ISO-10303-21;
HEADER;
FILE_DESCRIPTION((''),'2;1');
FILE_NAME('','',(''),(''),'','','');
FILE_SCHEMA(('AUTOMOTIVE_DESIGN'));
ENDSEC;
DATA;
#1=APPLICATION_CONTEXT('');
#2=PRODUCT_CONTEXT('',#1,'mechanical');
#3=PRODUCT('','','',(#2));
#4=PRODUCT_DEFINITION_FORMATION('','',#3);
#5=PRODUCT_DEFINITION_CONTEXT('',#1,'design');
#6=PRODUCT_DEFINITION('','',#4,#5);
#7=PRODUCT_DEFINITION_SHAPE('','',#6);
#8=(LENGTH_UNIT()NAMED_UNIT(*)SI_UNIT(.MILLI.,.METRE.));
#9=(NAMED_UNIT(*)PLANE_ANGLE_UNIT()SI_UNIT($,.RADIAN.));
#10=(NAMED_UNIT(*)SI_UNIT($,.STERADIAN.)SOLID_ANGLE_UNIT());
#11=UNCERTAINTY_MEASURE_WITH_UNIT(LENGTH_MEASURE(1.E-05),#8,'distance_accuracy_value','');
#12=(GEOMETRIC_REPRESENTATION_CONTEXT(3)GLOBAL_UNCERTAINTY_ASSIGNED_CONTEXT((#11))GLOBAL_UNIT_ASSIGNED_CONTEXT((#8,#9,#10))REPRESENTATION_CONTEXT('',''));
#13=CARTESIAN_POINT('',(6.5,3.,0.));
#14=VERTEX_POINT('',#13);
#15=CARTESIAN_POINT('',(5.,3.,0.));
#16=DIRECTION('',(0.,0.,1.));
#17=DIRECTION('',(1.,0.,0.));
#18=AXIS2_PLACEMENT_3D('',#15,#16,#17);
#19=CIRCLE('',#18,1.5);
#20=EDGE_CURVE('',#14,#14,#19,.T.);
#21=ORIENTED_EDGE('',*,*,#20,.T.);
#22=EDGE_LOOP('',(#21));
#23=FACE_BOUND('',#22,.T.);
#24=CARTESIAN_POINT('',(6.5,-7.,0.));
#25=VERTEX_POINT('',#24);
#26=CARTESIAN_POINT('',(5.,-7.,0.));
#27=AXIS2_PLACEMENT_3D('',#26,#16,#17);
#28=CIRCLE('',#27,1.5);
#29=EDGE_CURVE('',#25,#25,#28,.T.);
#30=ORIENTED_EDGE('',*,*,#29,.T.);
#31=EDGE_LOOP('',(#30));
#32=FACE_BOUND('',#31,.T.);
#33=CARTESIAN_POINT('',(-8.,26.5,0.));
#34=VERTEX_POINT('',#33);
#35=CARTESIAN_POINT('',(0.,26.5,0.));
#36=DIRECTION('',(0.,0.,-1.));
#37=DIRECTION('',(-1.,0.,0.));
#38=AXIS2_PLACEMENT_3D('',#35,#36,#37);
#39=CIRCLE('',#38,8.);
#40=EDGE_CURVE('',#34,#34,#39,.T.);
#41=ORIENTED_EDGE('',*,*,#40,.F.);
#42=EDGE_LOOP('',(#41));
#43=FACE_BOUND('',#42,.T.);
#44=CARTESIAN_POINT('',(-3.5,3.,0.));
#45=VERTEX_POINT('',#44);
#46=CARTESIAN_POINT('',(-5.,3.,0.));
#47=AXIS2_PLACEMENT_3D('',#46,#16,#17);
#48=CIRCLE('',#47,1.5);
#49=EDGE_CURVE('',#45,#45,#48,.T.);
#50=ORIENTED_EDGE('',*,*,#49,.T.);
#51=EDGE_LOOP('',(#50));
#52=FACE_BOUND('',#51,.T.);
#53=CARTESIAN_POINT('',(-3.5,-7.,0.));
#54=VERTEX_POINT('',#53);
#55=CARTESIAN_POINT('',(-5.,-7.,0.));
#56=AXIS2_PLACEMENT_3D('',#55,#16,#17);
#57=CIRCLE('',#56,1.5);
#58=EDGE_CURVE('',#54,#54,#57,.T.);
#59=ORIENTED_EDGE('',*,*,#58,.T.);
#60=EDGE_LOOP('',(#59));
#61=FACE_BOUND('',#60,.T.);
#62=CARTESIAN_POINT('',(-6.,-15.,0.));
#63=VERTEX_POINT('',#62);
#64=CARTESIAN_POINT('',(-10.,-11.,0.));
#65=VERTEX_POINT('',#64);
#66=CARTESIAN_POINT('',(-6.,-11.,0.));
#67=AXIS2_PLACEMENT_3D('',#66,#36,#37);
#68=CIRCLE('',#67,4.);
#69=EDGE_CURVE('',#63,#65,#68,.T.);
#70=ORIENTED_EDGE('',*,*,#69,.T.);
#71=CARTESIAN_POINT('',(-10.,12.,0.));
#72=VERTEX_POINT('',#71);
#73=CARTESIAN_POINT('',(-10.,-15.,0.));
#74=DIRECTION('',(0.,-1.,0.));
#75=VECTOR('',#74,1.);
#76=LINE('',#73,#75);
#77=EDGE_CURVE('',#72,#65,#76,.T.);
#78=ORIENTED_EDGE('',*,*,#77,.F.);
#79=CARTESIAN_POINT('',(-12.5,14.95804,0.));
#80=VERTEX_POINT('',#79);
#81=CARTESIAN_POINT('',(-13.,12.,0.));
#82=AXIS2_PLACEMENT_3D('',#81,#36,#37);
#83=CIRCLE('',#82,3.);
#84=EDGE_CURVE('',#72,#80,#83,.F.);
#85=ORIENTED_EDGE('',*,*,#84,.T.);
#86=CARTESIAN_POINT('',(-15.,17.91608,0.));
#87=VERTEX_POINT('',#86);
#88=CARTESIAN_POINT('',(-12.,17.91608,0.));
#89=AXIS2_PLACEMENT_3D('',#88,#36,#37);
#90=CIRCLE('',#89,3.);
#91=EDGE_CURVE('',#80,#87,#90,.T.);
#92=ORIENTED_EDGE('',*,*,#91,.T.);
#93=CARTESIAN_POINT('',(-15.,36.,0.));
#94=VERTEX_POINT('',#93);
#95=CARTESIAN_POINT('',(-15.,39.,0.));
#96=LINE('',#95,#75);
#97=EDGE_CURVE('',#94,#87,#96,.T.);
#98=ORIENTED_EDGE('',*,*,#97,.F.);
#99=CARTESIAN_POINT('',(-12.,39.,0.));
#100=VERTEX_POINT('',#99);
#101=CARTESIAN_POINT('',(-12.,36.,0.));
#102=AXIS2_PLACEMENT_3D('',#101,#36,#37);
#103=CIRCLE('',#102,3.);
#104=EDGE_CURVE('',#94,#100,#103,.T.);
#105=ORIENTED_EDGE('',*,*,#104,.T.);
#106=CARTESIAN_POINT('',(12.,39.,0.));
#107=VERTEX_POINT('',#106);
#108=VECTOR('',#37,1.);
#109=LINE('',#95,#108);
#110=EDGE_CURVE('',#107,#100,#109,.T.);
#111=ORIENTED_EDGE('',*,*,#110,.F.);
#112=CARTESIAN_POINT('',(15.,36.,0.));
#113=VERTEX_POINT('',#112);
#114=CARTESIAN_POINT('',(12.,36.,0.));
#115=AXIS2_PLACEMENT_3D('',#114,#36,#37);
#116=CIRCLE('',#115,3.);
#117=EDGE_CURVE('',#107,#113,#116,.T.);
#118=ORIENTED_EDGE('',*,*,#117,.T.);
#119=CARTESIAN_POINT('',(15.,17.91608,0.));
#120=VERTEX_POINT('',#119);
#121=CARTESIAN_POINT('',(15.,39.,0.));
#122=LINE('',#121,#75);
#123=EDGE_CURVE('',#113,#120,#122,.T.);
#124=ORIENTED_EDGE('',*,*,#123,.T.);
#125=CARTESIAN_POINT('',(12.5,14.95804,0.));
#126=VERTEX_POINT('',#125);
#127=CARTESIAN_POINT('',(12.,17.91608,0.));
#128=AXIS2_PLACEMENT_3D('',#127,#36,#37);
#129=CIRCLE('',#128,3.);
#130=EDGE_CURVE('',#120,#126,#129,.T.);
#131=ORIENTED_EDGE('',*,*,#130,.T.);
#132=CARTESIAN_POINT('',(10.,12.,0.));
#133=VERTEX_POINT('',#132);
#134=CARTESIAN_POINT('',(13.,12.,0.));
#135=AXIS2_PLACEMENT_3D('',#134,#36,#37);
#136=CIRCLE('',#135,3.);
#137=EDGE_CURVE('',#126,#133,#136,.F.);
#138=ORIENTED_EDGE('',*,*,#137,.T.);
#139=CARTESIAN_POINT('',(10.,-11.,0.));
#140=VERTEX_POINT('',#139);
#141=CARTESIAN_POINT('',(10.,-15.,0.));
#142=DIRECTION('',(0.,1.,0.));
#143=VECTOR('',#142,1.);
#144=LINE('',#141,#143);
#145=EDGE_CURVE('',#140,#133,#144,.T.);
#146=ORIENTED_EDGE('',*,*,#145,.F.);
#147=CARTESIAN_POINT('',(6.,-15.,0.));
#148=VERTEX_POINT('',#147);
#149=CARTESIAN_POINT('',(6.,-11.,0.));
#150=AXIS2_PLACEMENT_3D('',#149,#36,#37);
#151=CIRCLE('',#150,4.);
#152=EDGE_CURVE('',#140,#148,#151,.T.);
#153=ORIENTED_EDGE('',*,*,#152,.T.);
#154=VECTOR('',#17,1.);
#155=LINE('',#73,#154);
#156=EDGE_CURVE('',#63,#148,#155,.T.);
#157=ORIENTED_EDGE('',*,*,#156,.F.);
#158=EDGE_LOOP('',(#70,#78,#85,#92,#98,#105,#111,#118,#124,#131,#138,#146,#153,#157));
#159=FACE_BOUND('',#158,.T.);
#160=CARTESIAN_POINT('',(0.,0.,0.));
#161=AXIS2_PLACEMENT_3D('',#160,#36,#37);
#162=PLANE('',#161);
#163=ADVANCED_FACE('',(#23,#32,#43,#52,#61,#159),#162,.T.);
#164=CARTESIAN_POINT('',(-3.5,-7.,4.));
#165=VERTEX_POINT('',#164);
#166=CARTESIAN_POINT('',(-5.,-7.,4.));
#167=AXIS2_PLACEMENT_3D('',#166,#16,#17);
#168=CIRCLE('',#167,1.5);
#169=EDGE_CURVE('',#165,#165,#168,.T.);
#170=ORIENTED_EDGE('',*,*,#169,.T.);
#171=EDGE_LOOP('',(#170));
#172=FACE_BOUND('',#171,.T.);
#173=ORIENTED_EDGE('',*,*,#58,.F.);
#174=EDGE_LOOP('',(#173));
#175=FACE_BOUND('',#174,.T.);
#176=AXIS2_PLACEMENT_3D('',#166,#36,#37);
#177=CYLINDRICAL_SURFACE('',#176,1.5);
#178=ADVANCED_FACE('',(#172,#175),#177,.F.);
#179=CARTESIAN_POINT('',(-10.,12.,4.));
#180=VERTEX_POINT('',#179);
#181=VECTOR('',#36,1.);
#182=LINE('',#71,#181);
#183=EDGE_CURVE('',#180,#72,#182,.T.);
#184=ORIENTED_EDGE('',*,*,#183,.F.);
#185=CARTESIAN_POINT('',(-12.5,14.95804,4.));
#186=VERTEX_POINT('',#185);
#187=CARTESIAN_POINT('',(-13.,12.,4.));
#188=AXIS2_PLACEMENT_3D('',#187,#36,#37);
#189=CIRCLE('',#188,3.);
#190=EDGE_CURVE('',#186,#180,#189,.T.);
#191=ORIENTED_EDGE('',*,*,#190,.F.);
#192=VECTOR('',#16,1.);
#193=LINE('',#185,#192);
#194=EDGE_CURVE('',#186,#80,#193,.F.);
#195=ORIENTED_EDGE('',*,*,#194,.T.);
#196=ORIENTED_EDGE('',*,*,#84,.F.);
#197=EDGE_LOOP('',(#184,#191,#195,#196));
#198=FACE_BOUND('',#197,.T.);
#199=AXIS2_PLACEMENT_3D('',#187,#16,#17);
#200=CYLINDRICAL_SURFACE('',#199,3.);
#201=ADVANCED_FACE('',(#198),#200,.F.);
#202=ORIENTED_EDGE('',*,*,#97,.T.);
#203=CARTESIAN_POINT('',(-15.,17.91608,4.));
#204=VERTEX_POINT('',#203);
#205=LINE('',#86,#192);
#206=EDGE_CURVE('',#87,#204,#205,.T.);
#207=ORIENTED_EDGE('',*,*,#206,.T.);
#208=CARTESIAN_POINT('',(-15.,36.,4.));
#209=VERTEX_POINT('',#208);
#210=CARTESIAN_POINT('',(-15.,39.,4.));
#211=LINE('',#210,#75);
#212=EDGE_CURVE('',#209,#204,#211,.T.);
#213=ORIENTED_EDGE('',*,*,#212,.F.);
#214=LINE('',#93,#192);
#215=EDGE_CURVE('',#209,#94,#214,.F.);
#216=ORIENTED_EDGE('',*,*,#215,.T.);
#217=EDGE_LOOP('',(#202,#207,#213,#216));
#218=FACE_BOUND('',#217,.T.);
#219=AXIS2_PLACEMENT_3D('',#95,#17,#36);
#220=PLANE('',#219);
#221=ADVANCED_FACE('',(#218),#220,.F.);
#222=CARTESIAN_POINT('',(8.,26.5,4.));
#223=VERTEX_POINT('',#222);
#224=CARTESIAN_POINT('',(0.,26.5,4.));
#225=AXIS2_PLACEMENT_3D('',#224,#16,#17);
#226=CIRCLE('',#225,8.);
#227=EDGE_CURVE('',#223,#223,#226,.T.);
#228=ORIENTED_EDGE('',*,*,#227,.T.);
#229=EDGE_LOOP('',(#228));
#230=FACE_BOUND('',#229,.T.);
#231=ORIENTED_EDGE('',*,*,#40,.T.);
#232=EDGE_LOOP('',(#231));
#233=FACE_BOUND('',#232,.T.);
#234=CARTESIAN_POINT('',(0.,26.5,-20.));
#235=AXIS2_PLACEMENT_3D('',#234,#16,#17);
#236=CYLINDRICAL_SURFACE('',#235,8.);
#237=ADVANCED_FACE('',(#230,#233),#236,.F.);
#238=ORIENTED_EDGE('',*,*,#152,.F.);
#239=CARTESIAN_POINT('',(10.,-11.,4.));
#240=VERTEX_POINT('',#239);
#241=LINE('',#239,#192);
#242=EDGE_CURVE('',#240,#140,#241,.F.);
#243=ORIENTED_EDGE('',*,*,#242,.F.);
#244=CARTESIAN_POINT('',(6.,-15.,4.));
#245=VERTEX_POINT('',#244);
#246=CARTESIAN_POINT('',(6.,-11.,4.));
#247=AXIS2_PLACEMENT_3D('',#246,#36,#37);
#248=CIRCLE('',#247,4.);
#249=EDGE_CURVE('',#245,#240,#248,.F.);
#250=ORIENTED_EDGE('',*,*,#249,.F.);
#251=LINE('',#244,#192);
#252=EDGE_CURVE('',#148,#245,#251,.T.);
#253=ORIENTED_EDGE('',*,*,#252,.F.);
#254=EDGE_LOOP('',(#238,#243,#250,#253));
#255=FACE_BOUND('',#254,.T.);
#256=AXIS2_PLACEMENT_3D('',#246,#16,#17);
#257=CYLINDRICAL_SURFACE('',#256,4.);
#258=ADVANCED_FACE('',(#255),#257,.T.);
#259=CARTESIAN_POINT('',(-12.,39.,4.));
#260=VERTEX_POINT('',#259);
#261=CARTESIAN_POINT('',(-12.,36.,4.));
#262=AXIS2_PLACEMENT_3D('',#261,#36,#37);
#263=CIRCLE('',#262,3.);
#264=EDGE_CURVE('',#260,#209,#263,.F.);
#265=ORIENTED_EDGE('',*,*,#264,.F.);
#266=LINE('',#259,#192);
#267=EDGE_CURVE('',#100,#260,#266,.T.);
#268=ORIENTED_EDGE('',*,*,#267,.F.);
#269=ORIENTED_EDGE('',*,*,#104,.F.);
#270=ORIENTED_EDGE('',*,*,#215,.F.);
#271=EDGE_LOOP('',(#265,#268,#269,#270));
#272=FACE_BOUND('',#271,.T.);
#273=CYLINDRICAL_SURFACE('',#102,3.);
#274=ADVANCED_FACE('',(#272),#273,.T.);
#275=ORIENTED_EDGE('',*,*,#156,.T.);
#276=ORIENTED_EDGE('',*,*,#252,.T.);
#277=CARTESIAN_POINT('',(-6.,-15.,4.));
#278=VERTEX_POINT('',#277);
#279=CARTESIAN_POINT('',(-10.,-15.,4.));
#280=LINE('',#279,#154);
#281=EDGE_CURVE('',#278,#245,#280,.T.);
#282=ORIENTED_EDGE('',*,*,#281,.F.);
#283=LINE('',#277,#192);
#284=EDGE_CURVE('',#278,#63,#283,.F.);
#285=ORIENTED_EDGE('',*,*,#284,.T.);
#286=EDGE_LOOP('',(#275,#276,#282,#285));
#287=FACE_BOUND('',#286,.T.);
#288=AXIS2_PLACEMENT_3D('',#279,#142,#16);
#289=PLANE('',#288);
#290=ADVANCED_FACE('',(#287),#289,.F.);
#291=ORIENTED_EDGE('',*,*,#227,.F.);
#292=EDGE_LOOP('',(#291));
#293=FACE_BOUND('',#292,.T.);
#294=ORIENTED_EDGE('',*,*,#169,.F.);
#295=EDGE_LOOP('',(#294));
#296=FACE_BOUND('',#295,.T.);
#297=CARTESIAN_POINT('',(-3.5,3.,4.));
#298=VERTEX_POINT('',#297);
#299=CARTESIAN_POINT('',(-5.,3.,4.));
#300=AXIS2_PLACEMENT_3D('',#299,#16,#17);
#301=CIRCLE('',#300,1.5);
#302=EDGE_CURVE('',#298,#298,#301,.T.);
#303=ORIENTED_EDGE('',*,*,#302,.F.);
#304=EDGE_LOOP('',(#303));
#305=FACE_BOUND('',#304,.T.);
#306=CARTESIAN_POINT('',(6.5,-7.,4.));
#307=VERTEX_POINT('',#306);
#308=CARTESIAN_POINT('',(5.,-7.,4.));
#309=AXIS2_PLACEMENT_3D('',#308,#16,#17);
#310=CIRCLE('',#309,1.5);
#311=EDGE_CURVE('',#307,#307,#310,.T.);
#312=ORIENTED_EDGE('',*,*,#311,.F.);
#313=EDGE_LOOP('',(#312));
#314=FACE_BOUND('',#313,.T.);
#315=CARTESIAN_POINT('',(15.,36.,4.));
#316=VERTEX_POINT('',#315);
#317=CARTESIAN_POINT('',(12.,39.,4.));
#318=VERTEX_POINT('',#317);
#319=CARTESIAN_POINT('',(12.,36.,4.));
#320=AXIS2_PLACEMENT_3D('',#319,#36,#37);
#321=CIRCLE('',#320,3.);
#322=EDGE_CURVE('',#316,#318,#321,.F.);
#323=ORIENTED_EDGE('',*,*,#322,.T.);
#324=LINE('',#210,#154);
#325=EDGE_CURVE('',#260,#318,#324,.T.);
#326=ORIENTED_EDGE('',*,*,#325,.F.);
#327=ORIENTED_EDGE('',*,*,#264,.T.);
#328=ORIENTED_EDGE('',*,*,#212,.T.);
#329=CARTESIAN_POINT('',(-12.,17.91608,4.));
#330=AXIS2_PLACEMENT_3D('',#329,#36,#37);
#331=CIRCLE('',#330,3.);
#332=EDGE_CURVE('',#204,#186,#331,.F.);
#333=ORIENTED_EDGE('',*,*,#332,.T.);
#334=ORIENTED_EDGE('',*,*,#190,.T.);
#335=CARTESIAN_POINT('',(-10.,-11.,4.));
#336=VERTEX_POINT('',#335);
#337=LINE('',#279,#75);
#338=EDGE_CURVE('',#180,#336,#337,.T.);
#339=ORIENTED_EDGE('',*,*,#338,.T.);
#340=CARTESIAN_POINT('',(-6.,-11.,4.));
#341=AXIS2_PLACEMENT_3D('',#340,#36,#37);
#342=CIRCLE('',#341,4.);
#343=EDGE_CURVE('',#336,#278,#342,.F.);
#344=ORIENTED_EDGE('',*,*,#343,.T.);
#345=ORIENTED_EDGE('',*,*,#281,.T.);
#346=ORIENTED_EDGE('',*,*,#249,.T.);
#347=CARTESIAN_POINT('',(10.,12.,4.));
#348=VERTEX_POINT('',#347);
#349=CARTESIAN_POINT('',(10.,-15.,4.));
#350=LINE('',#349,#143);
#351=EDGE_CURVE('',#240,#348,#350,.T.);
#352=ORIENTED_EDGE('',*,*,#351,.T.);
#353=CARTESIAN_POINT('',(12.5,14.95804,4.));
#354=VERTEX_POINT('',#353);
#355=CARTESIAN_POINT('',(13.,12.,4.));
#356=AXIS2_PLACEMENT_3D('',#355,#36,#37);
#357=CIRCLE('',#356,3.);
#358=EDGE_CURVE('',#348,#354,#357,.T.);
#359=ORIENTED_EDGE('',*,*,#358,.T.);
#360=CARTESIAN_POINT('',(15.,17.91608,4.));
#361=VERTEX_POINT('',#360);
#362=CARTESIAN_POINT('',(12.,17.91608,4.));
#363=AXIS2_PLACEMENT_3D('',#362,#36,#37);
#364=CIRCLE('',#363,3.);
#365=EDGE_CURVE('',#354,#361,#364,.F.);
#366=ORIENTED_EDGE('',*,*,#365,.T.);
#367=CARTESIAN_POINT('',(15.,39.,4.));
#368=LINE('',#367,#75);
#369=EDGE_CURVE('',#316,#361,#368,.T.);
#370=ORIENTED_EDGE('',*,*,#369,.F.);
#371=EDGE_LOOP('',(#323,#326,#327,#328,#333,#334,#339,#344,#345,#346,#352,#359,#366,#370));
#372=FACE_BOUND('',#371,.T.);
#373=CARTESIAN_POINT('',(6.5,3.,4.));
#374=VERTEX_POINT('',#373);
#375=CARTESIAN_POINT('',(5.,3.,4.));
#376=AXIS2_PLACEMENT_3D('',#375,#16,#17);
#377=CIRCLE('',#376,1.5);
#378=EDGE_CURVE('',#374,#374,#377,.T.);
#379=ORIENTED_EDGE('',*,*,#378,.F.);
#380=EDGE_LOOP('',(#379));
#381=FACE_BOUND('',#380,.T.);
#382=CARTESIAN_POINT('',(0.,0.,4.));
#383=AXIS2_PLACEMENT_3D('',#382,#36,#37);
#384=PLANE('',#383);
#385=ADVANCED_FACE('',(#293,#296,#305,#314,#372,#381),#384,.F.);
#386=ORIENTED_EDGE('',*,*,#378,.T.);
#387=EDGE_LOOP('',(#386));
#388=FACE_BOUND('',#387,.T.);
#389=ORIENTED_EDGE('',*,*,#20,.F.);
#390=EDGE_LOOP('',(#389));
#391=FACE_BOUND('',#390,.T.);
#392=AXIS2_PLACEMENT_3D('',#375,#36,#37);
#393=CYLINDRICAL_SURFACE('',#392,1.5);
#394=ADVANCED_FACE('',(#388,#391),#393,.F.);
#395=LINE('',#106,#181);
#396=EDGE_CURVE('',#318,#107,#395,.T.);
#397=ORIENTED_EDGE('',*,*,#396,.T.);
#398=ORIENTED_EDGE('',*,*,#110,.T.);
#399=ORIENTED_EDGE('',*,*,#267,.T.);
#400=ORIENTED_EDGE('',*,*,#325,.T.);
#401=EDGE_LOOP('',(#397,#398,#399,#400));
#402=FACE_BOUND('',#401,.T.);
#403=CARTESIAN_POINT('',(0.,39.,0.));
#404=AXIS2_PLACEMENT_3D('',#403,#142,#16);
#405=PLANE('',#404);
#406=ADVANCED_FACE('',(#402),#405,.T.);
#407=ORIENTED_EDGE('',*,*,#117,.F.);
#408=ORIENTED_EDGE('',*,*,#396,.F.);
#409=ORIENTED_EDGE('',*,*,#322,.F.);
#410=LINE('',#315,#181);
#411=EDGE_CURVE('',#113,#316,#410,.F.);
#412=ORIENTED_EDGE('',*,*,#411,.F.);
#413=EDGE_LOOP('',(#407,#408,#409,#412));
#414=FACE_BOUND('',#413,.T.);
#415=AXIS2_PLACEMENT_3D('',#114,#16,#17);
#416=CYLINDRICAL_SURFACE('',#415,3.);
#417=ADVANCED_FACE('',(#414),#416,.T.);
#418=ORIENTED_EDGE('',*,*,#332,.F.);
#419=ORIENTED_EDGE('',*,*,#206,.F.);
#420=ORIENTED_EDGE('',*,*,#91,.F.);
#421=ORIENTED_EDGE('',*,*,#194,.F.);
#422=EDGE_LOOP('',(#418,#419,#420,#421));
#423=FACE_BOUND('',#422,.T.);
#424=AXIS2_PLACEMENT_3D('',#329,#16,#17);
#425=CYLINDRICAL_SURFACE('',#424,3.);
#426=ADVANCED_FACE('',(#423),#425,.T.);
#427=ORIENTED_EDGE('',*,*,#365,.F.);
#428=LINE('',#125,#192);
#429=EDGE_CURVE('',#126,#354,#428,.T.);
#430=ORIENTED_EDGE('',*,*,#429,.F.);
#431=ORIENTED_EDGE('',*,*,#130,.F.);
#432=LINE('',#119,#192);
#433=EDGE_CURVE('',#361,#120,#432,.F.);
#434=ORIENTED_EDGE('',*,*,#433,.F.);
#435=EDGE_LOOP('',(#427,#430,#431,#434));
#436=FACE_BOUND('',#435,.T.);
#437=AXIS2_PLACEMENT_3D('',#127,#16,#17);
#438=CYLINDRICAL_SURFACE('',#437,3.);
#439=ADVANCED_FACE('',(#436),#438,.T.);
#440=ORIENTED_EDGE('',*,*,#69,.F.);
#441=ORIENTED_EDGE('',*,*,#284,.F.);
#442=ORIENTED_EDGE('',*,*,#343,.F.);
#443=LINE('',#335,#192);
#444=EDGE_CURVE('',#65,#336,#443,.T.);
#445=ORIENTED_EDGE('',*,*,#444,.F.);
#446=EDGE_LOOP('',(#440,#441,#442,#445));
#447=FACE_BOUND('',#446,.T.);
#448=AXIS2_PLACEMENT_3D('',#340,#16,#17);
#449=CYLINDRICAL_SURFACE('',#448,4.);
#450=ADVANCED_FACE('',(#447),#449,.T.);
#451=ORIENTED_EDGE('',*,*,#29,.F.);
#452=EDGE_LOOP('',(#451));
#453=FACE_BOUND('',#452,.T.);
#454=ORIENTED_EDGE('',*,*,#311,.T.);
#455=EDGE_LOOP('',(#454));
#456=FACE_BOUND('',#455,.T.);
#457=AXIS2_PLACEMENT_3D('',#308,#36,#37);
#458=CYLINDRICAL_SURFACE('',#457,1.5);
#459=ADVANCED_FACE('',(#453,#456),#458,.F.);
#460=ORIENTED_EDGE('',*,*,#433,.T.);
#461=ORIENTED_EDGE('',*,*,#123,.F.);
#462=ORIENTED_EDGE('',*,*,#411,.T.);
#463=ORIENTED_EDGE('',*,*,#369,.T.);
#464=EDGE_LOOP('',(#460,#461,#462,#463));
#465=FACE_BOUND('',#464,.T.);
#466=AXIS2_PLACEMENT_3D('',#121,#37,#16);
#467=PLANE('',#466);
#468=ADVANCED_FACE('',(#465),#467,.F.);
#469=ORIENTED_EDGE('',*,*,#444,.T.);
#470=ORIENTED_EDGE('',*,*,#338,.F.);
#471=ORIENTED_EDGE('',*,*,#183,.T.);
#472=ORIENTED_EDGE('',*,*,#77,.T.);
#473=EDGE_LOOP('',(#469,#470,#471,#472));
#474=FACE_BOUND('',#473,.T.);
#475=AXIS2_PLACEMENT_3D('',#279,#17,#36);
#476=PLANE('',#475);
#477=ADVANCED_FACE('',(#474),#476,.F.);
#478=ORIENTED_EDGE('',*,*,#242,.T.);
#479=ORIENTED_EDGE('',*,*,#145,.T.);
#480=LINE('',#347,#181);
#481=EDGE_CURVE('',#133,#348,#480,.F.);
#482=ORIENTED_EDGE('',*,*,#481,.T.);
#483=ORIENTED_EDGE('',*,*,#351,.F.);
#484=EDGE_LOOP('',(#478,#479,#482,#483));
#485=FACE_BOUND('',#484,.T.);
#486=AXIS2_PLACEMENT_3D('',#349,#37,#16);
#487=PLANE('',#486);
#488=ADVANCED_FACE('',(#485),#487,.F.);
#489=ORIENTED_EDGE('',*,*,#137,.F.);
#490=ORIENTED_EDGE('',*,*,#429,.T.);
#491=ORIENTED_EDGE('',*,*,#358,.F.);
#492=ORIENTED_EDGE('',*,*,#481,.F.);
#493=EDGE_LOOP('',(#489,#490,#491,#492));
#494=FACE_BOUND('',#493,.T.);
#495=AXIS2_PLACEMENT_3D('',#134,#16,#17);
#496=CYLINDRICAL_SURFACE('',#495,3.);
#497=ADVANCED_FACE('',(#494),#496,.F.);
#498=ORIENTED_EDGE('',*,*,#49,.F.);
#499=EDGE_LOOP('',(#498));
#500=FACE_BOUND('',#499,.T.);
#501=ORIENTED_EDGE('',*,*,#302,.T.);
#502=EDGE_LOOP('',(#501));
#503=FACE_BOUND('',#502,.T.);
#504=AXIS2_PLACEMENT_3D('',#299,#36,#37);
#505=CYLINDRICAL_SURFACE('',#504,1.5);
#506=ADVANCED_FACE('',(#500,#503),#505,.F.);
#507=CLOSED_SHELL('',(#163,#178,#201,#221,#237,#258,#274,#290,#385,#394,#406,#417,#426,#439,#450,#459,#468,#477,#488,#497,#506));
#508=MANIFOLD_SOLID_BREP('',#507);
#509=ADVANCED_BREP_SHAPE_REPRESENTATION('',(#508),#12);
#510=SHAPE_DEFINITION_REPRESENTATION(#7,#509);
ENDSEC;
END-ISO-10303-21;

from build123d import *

# Parameters (mm, degrees)
SKETCH_1_W          = 20
SKETCH_1_H          = 30
SKETCH_1_R          = 1.5
EXTRUDE_1_DEPTH     = 4
SKETCH_2_W          = 30
SKETCH_2_H          = 4
EXTRUDE_2_DEPTH     = 24
FILLET_1_R          = 3
SKETCH_3_R          = 8
CUT_EXTRUDE_1_DEPTH = 24
FILLET_2_R          = 3
FILLET_3_R          = 4
FILLET_4_R          = 4


with BuildPart() as part:
    # 草图1 → 凸台-拉伸1 (new body)
    with BuildSketch(Plane.XY):
        Rectangle(SKETCH_1_W, SKETCH_1_H)
        with Locations((-5, 3)):
            Circle(SKETCH_1_R, mode=Mode.SUBTRACT)
        with Locations((5, 3)):
            Circle(SKETCH_1_R, mode=Mode.SUBTRACT)
        with Locations((-5, -7)):
            Circle(SKETCH_1_R, mode=Mode.SUBTRACT)
        with Locations((5, -7)):
            Circle(SKETCH_1_R, mode=Mode.SUBTRACT)
    extrude(amount=EXTRUDE_1_DEPTH)

    # 草图2 → 凸台-拉伸2 (add)
    with BuildSketch(Plane(origin=(0, 15, 0), x_dir=(1, 0, 0), z_dir=(0, 1, 0))):
        with Locations((0, -2)):
            Rectangle(SKETCH_2_W, SKETCH_2_H)
    extrude(amount=EXTRUDE_2_DEPTH)

    # 圆角1
    fillet_1_edges = [part.edges().sort_by_distance(p)[0] for p in [
        (-10, 15, 2),
        (10, 15, 2),
    ]]
    fillet(fillet_1_edges, radius=FILLET_1_R)

    # 草图3 → 切除-拉伸1 (cut)
    with BuildSketch(Plane.XY.offset(4)):
        with Locations((0, 26.5)):
            Circle(SKETCH_3_R)
    extrude(amount=-CUT_EXTRUDE_1_DEPTH, mode=Mode.SUBTRACT)

    # 圆角2
    fillet_2_edges = [part.edges().sort_by_distance(p)[0] for p in [
        (15, 15, 2),
        (15, 39, 2),
        (-15, 39, 2),
        (-15, 15, 2),
    ]]
    fillet(fillet_2_edges, radius=FILLET_2_R)

    # 圆角3
    fillet_3_edges = [part.edges().sort_by_distance(p)[0] for p in [
        (-10, -15, 2),
    ]]
    fillet(fillet_3_edges, radius=FILLET_3_R)

    # 圆角4
    fillet_4_edges = [part.edges().sort_by_distance(p)[0] for p in [
        (10, -15, 2),
    ]]
    fillet(fillet_4_edges, radius=FILLET_4_R)


solid = part.part
